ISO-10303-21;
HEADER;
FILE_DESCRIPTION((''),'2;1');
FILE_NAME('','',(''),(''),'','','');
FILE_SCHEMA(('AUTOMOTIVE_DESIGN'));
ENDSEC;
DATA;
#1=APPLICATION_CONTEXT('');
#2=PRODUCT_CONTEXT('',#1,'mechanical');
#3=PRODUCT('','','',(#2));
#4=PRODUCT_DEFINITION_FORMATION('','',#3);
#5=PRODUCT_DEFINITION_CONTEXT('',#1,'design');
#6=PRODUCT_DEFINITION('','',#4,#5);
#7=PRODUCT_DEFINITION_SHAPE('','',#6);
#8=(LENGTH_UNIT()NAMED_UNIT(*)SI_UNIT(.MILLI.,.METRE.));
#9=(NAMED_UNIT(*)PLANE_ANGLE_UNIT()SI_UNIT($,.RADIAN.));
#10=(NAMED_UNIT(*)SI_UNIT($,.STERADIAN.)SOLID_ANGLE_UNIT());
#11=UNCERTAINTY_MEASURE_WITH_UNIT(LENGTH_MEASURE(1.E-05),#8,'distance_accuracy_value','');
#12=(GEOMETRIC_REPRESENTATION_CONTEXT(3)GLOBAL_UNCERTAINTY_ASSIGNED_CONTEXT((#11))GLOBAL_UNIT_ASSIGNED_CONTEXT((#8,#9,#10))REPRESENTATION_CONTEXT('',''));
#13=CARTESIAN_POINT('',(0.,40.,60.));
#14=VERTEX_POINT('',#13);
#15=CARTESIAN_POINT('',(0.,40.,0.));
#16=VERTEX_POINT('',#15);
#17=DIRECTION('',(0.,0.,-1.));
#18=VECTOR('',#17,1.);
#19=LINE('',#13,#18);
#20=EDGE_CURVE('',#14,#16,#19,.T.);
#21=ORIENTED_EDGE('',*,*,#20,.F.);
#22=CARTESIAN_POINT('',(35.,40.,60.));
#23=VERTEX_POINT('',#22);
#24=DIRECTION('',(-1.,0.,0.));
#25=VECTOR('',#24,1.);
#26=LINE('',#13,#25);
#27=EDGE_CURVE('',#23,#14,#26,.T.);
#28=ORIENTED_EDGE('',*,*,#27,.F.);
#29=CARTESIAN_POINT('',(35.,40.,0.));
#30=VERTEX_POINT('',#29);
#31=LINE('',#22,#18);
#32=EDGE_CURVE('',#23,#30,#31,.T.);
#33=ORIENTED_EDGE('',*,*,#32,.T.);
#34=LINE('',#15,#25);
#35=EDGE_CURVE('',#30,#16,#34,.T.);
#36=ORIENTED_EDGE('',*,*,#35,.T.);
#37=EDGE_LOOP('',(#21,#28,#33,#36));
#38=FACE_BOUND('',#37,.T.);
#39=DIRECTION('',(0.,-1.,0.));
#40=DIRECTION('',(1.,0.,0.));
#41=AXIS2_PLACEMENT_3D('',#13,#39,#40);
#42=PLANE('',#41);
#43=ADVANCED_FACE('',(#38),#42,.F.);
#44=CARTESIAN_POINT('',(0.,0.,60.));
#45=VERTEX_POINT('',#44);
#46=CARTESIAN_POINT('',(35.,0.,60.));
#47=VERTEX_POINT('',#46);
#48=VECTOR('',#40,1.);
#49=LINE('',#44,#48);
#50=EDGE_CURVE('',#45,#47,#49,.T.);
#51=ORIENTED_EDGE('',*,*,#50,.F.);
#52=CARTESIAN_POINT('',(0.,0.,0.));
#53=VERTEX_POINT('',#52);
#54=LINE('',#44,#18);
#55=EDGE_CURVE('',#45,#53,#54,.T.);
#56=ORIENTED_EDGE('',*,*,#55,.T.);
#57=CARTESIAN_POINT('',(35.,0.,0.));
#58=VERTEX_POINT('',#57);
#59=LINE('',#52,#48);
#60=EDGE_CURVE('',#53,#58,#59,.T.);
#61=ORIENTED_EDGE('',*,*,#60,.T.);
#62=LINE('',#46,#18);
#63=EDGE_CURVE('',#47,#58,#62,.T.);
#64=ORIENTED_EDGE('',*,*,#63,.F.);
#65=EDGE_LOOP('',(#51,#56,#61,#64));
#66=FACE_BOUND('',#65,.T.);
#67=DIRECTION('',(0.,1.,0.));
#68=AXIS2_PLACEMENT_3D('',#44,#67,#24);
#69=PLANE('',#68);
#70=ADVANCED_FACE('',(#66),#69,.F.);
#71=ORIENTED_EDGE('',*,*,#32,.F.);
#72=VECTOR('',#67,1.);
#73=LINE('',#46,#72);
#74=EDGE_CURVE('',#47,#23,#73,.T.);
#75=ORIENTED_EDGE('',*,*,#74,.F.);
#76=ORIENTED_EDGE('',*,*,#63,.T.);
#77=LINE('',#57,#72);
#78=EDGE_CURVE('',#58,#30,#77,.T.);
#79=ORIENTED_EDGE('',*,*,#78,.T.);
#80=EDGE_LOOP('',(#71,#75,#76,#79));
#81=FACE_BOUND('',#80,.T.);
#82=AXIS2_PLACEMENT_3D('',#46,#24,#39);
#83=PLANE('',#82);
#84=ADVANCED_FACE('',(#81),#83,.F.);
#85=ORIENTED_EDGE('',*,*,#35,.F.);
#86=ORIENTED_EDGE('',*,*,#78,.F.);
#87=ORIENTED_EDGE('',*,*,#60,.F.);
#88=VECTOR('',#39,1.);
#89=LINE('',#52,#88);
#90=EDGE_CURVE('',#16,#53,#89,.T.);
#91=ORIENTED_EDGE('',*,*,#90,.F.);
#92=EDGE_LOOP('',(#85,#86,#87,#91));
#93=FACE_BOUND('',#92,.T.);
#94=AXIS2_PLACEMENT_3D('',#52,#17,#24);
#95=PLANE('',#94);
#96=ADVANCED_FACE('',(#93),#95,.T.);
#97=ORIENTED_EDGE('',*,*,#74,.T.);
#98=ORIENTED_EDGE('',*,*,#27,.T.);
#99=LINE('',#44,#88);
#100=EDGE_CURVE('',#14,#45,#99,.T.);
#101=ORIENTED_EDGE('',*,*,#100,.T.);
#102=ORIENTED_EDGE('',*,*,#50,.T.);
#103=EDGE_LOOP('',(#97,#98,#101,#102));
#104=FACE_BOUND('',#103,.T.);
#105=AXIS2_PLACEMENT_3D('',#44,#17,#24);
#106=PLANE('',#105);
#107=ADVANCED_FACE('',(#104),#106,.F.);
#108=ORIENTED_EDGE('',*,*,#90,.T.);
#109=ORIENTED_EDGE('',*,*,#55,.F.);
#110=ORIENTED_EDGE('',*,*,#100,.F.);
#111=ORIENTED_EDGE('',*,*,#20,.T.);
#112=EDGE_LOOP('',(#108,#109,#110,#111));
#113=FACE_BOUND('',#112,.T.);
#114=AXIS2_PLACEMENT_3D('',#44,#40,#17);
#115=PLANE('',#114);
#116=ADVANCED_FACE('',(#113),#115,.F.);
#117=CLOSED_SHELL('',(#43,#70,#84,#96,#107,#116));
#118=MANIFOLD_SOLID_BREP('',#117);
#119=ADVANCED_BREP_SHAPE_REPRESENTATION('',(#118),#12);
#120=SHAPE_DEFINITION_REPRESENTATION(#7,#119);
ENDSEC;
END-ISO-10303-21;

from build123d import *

# Parameters (mm, degrees)
SCHIZZO1_W                   = 35
SCHIZZO1_H                   = 40
ESTRUSIONE_ESTRUSIONE1_DEPTH = 60


with BuildPart() as part:
    # Schizzo1 → Estrusione-Estrusione1 (new body)
    with BuildSketch(Plane.XY):
        with Locations((17.5, 20)):
            Rectangle(SCHIZZO1_W, SCHIZZO1_H)
    extrude(amount=ESTRUSIONE_ESTRUSIONE1_DEPTH)


solid = part.part
